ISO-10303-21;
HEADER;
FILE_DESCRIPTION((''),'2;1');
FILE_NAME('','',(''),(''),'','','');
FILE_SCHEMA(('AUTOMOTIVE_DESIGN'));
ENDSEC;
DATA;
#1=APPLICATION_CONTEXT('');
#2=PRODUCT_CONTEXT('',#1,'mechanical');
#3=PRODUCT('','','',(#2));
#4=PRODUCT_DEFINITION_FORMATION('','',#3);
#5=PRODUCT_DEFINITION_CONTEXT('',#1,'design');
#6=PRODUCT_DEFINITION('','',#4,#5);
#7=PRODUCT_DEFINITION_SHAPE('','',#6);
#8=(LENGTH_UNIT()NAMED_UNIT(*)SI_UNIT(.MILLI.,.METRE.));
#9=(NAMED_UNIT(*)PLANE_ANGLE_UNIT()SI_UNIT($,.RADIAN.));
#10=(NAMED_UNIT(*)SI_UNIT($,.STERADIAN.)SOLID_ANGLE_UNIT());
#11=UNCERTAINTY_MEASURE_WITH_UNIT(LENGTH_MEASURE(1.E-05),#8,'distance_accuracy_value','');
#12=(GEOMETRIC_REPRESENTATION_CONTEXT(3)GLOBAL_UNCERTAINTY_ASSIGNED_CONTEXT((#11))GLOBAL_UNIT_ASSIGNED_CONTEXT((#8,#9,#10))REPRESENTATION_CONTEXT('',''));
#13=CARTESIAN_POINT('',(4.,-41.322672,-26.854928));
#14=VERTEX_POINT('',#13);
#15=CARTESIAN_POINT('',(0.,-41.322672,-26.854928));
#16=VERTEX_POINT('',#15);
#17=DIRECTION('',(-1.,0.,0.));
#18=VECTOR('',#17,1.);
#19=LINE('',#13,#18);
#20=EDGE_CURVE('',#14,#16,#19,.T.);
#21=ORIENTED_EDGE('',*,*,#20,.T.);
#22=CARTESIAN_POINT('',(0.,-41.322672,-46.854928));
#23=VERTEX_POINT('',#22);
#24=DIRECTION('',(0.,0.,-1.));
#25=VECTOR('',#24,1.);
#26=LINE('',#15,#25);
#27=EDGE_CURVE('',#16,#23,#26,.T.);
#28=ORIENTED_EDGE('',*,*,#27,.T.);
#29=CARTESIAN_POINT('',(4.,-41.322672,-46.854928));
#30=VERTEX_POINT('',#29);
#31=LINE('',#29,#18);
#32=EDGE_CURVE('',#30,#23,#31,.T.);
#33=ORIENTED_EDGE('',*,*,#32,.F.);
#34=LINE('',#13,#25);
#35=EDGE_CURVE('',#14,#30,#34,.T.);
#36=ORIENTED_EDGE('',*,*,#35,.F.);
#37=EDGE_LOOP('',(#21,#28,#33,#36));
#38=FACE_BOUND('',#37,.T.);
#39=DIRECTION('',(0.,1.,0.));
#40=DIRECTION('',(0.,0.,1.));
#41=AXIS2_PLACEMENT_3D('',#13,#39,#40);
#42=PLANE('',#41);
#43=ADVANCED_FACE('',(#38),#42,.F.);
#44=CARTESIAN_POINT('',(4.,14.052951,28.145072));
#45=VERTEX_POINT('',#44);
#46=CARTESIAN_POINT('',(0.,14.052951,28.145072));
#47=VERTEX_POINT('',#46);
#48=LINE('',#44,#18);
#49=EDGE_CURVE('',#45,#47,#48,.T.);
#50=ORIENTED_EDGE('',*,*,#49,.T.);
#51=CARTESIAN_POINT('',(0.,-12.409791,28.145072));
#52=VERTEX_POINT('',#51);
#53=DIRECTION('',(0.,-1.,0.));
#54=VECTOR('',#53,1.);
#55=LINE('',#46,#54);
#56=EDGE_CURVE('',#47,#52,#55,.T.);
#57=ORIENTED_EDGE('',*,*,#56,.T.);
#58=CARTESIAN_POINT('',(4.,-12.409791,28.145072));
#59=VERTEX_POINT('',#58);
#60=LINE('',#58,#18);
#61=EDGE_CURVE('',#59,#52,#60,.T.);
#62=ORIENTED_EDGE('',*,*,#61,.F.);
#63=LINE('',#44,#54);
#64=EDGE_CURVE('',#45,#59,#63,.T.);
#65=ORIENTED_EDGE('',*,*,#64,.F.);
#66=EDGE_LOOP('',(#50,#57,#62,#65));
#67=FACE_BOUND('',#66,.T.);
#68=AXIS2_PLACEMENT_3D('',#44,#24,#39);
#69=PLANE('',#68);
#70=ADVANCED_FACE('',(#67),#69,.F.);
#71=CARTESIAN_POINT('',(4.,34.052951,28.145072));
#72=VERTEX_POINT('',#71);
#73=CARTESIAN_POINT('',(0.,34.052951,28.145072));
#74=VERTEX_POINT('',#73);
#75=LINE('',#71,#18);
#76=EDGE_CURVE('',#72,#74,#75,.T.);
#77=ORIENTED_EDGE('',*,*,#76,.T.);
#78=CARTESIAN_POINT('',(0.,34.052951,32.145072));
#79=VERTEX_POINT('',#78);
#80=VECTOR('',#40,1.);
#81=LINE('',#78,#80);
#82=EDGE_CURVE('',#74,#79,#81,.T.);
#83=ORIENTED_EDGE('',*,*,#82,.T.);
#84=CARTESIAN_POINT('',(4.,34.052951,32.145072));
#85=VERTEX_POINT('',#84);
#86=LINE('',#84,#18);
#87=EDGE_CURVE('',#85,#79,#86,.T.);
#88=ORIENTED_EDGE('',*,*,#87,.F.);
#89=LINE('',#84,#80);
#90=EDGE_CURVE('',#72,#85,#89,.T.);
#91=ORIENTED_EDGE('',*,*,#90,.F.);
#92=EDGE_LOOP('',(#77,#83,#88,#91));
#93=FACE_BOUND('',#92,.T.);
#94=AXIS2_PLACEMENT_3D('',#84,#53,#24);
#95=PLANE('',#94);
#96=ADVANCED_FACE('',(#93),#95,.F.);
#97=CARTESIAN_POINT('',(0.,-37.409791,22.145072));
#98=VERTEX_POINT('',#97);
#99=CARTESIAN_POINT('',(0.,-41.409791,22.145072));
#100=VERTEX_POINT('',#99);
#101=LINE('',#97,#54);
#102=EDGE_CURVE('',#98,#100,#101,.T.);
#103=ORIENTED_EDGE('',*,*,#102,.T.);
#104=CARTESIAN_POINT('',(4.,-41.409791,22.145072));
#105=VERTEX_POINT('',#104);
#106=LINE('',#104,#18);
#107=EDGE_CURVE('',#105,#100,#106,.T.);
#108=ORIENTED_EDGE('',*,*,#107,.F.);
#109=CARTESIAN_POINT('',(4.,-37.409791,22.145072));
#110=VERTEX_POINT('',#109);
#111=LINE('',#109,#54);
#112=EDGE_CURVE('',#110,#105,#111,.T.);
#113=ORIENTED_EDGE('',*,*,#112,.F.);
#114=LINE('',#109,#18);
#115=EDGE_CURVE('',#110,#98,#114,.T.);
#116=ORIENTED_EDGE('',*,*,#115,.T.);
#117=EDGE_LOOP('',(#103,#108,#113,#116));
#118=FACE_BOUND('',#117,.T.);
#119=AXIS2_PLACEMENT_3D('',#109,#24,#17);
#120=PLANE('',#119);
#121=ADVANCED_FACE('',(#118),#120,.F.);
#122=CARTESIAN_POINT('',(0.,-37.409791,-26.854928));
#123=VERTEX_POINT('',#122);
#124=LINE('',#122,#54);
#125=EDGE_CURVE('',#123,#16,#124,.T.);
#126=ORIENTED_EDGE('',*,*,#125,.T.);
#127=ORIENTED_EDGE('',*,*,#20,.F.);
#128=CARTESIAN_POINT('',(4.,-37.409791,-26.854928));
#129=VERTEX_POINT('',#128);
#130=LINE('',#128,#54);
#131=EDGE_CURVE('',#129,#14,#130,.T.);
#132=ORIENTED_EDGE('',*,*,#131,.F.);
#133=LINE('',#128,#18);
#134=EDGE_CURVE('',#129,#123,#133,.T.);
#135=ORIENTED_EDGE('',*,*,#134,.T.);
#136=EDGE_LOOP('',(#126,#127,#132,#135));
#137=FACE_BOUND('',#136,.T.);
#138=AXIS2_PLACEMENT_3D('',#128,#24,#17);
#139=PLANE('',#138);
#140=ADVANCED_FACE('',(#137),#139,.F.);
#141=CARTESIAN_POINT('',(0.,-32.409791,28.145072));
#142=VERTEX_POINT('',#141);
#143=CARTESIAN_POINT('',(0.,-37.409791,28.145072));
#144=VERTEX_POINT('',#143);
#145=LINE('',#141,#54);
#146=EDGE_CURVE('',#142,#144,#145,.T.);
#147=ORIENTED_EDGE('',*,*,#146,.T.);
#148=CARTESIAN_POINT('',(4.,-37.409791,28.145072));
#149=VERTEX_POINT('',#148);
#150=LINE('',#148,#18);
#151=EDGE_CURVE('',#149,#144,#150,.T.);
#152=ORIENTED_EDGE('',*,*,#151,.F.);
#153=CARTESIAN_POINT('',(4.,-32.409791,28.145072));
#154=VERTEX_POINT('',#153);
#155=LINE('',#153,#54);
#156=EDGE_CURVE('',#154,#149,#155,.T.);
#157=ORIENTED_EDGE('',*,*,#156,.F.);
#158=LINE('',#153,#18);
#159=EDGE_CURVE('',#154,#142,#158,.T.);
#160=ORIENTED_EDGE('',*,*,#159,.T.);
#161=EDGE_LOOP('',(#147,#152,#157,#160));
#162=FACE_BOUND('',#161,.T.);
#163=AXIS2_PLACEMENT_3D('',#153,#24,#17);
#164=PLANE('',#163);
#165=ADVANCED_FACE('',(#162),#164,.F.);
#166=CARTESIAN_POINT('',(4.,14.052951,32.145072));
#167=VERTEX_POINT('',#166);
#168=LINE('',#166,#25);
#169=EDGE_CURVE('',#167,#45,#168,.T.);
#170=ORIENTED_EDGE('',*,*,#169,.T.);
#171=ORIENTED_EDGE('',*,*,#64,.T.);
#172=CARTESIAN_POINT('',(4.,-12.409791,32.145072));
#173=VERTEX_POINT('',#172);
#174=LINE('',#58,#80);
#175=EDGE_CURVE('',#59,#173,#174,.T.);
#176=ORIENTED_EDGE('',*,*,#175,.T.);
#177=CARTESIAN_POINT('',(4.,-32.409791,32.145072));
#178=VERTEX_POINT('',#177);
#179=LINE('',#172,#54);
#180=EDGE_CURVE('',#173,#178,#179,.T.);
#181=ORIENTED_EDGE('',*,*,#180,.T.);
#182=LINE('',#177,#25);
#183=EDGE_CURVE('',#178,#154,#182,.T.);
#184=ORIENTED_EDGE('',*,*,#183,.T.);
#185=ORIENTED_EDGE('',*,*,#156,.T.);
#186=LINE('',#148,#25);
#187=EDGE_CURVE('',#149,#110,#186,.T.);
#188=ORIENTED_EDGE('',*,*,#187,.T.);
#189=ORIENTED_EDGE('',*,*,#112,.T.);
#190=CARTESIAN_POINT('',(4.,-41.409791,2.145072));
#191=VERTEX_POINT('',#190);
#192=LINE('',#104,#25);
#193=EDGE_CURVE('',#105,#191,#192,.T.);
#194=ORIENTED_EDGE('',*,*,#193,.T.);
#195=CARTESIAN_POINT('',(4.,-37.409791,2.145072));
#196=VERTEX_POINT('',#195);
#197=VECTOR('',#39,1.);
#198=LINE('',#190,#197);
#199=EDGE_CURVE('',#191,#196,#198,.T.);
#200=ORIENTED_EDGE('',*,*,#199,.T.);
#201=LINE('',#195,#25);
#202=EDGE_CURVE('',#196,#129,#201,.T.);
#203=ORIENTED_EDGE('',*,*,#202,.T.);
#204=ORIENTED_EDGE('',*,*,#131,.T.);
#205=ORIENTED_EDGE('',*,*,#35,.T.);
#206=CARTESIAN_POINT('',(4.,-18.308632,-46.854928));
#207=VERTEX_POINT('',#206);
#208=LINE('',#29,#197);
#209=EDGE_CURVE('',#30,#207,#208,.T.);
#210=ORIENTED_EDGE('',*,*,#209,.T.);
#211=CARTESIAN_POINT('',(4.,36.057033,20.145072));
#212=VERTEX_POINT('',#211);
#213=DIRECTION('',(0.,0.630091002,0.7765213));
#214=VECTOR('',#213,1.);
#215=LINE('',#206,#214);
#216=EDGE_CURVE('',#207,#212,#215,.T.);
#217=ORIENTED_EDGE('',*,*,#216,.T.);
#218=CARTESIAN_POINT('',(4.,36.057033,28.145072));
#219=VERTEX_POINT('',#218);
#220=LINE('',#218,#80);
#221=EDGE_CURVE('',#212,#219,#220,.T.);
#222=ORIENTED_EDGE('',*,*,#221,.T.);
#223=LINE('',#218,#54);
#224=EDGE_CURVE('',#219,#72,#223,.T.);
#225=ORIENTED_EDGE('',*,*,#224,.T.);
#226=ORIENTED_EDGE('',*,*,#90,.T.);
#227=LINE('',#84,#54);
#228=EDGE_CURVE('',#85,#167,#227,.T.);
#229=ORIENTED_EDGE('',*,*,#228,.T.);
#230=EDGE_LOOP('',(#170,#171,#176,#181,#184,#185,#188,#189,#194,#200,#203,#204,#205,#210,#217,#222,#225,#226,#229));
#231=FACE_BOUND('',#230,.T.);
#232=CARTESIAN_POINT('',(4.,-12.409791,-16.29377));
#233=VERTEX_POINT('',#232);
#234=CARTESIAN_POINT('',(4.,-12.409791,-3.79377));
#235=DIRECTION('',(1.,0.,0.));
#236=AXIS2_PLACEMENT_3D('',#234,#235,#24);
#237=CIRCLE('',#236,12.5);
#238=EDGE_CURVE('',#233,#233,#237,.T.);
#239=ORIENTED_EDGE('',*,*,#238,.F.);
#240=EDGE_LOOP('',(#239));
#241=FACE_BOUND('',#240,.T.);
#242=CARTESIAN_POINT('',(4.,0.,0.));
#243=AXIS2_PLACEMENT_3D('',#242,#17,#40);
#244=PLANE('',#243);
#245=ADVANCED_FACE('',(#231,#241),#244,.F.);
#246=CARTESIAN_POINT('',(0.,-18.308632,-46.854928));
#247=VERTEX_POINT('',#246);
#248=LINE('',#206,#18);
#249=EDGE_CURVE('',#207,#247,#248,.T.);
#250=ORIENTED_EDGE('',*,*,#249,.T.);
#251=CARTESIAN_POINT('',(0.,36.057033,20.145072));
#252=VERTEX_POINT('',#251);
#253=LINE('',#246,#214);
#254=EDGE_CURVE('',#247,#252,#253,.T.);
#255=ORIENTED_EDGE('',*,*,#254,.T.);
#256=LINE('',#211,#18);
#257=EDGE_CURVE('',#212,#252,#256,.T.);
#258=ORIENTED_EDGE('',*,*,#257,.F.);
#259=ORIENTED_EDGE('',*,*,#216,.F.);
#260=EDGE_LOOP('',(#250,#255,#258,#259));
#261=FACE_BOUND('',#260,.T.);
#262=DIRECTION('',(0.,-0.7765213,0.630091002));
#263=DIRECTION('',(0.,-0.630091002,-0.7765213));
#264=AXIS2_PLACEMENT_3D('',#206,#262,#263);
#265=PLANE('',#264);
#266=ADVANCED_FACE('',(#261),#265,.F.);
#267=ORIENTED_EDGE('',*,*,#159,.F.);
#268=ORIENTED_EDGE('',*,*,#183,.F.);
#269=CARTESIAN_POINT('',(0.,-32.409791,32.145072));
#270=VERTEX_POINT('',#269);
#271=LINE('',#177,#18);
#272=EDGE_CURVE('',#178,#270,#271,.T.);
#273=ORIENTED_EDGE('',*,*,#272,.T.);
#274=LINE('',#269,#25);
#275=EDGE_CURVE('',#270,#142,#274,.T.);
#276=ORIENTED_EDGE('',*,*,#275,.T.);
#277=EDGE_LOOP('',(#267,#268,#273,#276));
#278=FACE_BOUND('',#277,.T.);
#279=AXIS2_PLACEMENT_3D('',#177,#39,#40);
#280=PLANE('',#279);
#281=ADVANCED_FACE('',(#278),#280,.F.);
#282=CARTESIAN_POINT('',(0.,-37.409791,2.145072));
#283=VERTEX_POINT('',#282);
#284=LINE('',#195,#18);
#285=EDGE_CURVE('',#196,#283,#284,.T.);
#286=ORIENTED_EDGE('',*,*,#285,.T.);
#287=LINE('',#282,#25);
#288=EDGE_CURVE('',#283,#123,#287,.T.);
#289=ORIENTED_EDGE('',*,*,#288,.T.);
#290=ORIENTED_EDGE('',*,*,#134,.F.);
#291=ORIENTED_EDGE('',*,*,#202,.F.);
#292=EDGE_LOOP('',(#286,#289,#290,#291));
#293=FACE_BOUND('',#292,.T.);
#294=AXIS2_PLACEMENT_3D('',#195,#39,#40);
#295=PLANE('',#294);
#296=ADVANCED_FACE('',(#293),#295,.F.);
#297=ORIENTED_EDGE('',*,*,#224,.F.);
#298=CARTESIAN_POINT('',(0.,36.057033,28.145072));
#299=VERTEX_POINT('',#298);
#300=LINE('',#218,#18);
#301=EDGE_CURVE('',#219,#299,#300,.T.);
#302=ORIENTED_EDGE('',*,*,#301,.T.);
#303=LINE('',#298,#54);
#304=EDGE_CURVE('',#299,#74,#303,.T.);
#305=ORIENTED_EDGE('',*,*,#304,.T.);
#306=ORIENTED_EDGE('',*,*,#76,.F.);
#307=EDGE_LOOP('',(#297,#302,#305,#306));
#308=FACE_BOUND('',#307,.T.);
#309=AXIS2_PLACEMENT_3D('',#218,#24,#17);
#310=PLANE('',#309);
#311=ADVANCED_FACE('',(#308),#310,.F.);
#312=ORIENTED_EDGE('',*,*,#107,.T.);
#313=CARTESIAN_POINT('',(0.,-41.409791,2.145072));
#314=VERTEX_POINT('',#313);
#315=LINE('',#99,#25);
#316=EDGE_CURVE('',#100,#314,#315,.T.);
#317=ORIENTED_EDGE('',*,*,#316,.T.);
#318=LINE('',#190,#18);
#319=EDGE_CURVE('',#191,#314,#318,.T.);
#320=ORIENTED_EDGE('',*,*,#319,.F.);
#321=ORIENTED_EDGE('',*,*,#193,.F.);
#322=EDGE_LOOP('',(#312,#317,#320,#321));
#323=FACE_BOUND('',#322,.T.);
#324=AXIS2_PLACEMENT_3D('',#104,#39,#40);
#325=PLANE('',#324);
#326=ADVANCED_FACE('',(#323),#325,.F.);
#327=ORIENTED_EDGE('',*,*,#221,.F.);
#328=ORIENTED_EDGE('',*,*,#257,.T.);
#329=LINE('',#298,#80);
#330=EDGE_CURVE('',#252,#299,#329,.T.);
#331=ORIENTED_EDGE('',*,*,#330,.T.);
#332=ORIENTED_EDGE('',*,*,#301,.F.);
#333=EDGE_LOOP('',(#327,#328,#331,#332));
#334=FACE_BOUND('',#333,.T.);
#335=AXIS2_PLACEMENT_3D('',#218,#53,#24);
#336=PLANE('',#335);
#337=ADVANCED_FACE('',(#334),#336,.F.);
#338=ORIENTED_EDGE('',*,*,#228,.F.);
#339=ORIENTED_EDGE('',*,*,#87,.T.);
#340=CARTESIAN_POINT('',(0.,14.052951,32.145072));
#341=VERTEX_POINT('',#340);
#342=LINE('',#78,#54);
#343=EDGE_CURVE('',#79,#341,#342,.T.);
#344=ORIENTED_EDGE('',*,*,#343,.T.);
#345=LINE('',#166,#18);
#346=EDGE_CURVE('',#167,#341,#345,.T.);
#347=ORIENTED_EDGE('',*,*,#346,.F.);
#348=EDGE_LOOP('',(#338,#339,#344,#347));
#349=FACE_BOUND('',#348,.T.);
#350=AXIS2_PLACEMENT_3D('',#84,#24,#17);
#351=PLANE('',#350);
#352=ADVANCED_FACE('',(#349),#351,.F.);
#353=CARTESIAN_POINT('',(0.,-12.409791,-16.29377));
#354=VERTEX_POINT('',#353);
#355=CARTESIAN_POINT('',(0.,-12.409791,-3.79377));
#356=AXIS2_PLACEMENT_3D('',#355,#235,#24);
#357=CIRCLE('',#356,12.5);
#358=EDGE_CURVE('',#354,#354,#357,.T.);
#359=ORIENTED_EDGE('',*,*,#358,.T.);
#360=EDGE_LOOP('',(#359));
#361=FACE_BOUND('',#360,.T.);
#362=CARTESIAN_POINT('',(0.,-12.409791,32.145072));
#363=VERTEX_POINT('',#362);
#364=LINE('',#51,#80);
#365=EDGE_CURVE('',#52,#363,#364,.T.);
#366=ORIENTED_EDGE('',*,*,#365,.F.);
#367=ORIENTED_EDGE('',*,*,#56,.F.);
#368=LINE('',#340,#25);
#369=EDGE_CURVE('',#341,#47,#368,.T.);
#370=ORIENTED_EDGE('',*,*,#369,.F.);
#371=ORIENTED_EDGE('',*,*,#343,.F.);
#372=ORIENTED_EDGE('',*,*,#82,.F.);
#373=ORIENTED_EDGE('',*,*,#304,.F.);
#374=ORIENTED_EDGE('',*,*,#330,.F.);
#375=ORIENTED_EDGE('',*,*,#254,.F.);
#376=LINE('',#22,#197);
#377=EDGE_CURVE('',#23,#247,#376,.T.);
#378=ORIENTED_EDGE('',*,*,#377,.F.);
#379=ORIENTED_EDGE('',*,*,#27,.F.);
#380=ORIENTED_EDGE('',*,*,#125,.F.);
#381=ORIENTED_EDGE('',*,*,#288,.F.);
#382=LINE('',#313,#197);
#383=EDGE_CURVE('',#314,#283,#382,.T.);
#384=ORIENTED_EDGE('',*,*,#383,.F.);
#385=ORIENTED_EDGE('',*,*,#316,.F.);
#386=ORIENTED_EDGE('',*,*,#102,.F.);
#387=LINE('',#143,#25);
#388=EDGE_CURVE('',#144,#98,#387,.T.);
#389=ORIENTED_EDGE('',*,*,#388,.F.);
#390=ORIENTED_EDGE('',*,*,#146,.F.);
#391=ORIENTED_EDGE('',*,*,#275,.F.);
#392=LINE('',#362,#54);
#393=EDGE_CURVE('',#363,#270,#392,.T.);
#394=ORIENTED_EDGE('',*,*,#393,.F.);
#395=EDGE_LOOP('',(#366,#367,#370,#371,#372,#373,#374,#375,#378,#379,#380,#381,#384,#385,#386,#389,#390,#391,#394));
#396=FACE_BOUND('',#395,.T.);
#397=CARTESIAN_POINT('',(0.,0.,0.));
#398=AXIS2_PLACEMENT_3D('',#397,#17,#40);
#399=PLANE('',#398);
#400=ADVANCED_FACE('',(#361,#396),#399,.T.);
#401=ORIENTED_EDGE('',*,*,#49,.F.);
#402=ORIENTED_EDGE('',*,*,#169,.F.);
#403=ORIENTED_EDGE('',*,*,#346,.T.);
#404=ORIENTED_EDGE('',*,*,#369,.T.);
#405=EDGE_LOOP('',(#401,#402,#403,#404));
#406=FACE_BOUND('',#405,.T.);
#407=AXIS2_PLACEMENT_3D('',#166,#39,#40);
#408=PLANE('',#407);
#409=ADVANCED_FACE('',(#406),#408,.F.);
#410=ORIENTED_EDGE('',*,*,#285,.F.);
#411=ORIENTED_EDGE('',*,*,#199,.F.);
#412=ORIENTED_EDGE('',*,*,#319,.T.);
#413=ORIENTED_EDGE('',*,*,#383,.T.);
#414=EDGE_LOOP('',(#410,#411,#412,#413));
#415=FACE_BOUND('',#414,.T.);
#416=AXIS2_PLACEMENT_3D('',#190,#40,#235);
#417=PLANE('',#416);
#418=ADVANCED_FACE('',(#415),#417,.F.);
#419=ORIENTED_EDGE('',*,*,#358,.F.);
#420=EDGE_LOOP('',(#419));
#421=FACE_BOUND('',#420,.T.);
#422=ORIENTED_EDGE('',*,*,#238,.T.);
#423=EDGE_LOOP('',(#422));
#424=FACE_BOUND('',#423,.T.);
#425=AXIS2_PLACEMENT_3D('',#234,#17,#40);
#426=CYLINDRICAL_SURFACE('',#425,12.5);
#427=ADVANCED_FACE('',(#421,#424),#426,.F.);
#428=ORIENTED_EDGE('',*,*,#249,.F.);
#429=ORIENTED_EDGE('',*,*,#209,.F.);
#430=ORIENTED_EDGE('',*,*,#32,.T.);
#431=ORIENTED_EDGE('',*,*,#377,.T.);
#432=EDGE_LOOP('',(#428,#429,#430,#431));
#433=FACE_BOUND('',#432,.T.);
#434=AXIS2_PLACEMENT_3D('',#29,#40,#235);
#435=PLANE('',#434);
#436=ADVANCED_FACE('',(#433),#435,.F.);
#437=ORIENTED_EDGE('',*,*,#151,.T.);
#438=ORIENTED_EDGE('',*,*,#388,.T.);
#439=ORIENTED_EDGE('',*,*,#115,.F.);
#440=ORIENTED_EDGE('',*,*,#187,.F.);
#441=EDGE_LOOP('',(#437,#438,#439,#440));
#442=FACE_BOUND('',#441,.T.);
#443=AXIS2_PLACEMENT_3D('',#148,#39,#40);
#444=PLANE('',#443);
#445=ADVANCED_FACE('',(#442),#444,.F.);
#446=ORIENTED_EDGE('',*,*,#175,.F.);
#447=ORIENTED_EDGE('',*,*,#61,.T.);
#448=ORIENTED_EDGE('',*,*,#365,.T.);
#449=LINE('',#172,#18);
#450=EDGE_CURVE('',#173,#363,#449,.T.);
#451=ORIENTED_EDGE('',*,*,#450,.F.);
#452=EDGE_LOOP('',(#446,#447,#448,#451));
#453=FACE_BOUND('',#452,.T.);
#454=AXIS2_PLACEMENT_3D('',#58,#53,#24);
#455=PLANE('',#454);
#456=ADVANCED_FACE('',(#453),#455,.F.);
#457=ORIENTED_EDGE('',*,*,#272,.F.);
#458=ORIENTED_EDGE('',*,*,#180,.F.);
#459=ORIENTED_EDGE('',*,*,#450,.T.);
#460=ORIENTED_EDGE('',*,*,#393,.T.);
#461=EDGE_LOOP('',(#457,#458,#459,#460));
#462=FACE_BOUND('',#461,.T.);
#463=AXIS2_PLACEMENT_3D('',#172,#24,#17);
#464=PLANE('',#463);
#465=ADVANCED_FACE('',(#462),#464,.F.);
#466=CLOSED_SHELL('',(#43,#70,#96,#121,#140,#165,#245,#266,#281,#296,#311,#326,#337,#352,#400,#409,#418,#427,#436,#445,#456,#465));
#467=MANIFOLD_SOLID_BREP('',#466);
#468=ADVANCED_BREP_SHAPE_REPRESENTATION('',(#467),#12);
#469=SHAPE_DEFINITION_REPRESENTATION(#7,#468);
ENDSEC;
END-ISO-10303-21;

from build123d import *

# Parameters (mm, degrees)
SKETCH1_R           = 12.5
BOSS_EXTRUDE1_DEPTH = 4


with BuildPart() as part:
    # Sketch1 → Boss-Extrude1 (new body)
    with BuildSketch(Plane(origin=(0, 0, 0), x_dir=(0, 0, -1), z_dir=(1, 0, 0))):
        Polygon((-32.145071831, 34.052951323), (-32.145071831, 14.052951323), (-28.145071831, 14.052951323), (-28.145071831, -12.409790693), (-32.145071831, -12.409790693), (-32.145071831, -32.409790693), (-28.145071831, -32.409790693), (-28.145071831, -37.409790693), (-22.145071831, -37.409790693), (-22.145071831, -41.409790693), (-2.145071831, -41.409790693), (-2.145071831, -37.409790693), (26.854928169, -37.409790693), (26.854928169, -41.322671818), (46.854928169, -41.322671818), (46.854928169, -18.308632295), (-20.145071831, 36.057032999), (-28.145071831, 36.057032999), (-28.145071831, 34.052951323), align=None)
        with Locations((3.793770472, -12.409790693)):
            Circle(SKETCH1_R, mode=Mode.SUBTRACT)
    extrude(amount=BOSS_EXTRUDE1_DEPTH)


solid = part.part
